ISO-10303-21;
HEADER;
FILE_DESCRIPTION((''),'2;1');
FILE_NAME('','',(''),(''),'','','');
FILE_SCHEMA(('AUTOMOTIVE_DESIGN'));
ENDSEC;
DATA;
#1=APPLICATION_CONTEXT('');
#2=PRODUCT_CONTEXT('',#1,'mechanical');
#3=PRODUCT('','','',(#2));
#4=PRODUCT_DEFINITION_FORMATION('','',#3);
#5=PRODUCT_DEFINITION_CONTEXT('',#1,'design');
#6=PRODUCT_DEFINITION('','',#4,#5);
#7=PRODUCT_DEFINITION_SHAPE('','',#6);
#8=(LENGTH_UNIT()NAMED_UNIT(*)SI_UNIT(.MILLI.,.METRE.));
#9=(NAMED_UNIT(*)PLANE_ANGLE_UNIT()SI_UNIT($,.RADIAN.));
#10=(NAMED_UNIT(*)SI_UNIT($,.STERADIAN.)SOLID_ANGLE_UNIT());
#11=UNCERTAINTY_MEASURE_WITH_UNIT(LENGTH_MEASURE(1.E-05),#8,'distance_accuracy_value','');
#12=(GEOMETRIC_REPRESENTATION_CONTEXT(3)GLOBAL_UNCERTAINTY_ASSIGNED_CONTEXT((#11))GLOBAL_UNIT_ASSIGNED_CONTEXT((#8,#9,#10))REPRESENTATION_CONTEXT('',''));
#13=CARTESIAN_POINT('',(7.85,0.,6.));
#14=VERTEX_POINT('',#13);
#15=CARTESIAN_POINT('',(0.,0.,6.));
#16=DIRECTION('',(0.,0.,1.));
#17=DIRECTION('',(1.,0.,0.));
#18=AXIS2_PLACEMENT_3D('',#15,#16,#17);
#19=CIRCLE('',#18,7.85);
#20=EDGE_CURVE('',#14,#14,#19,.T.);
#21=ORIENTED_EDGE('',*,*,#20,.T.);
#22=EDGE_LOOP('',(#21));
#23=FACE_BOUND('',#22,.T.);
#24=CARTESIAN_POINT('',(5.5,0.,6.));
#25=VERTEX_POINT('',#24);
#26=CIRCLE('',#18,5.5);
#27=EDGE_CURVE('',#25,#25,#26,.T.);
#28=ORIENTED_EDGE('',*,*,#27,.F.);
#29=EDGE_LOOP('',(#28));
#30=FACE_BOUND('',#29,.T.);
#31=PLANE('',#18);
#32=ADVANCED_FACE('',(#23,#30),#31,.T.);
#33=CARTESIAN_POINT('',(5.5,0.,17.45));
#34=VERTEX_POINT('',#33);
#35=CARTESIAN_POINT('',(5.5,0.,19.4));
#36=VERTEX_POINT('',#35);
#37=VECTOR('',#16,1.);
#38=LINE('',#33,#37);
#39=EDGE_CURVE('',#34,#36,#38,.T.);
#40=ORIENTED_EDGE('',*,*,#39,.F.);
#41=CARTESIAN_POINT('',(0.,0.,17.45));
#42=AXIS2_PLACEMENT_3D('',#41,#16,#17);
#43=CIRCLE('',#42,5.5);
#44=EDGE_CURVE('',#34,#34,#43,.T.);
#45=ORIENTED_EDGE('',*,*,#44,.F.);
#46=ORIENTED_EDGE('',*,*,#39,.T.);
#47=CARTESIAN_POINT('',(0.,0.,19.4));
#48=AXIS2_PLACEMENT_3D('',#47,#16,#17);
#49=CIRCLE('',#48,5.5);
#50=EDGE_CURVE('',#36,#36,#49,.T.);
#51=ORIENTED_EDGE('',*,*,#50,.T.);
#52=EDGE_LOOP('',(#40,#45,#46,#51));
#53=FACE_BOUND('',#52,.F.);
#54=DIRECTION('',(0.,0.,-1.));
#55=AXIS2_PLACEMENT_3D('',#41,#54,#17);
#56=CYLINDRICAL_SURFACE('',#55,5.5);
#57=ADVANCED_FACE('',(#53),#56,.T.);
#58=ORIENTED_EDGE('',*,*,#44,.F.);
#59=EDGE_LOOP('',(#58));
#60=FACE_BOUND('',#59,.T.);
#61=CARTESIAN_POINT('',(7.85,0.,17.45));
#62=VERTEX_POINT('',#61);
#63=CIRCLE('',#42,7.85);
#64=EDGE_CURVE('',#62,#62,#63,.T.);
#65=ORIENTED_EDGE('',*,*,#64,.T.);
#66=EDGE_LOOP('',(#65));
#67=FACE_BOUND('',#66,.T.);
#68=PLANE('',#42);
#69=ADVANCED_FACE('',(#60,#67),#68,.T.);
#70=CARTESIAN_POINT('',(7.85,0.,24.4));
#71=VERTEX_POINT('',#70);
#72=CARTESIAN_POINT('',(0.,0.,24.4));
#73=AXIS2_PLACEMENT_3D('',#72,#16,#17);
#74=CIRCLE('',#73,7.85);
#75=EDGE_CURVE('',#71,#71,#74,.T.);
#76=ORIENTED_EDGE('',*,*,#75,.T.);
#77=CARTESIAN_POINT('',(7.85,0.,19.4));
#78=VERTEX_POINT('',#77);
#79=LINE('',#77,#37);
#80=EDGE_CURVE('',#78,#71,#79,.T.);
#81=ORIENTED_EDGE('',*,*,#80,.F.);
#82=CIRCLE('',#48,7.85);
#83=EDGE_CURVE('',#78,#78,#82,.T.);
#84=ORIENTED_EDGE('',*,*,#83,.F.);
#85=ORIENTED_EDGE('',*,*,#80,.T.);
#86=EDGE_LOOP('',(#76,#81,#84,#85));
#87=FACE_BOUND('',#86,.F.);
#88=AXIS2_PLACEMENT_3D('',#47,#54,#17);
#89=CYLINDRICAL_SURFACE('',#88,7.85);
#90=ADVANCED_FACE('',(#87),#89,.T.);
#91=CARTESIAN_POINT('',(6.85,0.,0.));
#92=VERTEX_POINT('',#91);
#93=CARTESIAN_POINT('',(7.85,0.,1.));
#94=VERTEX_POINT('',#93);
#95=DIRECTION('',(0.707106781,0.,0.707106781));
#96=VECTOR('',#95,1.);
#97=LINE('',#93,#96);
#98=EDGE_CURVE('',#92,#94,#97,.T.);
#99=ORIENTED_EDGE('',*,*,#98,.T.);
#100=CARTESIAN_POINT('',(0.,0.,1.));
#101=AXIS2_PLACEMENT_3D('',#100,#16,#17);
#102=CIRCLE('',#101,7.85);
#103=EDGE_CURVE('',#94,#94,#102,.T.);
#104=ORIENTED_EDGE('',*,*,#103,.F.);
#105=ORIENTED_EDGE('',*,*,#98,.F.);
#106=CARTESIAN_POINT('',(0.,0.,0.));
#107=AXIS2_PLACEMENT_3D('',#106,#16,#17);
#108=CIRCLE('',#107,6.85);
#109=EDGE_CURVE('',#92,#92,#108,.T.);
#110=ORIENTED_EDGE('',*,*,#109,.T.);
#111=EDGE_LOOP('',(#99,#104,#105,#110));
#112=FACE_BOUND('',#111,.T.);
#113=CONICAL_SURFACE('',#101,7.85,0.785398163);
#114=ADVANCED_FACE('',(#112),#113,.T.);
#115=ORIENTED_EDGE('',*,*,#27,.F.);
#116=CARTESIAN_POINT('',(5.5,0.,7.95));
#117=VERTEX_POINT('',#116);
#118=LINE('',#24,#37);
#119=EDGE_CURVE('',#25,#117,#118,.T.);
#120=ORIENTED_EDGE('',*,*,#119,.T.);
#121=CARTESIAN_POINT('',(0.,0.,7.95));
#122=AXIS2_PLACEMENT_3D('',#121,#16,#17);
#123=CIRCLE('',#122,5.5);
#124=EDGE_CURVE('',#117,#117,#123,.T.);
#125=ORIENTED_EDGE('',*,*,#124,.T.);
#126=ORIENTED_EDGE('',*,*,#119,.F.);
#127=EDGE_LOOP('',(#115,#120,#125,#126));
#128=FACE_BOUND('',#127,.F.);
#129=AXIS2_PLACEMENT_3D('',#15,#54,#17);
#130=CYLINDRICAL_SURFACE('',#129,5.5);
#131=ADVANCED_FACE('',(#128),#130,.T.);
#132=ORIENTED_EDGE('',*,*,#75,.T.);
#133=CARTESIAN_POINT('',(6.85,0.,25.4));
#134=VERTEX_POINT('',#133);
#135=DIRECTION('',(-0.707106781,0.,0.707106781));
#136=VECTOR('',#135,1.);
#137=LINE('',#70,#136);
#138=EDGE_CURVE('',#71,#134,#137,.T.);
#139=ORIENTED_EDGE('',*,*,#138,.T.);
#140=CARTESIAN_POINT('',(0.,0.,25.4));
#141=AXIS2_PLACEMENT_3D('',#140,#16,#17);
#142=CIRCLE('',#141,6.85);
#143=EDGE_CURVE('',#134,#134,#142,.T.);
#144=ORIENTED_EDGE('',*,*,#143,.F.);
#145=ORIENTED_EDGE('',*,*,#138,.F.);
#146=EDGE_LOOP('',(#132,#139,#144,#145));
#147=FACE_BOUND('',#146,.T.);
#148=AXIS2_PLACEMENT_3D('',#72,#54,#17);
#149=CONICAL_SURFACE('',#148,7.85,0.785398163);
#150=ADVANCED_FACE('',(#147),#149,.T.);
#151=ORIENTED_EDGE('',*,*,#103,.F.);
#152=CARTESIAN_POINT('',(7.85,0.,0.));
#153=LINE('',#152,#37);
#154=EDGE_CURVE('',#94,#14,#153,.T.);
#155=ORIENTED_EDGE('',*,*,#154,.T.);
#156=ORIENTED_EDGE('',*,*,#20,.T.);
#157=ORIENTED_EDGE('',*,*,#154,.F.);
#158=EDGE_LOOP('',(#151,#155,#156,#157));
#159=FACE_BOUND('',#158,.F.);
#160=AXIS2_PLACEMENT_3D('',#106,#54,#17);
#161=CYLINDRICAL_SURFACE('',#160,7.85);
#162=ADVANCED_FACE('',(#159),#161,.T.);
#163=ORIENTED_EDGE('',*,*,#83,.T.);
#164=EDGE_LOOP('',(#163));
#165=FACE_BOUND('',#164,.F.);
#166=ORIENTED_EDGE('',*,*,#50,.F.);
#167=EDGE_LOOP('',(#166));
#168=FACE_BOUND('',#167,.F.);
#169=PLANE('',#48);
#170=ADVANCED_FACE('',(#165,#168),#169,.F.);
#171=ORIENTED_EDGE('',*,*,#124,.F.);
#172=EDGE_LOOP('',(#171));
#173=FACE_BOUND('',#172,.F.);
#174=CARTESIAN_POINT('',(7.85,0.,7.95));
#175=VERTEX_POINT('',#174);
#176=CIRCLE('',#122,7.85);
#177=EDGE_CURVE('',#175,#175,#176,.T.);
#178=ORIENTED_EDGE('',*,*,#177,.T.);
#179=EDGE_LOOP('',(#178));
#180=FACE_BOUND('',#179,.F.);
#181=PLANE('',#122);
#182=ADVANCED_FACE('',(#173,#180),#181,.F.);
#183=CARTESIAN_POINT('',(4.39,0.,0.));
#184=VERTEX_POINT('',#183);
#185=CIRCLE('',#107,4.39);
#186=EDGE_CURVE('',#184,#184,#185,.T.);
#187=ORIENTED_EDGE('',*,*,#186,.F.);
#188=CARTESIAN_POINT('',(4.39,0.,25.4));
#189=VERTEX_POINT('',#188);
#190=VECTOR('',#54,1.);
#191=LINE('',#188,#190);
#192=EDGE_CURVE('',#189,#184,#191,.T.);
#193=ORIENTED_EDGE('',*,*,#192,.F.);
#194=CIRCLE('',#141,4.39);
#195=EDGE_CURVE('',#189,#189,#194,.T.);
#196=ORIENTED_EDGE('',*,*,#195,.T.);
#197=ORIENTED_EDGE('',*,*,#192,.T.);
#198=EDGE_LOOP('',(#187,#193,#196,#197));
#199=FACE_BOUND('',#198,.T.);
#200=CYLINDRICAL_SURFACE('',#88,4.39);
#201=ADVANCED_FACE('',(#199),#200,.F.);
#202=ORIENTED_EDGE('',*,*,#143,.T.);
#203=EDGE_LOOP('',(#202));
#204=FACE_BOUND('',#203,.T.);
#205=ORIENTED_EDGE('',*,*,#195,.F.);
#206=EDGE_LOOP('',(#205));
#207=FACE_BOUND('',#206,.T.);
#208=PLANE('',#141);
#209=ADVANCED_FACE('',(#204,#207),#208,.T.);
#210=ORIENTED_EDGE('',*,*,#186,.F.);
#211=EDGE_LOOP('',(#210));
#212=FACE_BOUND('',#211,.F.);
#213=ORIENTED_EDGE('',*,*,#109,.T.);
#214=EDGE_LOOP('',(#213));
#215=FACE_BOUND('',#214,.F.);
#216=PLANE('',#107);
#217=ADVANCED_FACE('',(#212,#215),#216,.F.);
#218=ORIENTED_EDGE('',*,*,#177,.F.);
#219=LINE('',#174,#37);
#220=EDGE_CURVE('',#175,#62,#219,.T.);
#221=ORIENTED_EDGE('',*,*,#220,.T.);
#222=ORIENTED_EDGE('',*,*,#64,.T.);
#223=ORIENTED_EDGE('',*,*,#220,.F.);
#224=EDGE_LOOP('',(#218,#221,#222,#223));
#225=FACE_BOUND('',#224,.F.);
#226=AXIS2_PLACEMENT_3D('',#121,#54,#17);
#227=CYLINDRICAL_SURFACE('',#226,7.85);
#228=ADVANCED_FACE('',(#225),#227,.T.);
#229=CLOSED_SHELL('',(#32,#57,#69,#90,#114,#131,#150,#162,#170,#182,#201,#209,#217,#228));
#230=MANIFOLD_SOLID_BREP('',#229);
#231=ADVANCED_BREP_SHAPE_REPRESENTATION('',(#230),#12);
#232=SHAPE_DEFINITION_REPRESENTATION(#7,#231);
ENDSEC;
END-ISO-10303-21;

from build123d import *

# Parameters (mm, degrees)
F0_R      = 7.85
F0_R_2    = 4.39
F1_DEPTH  = 6
F2_R      = 5.5
F2_R_2    = 4.39
F3_DEPTH  = 1.95
F4_R      = 7.85
F4_R_2    = 5.5
F5_DEPTH  = 9.5
F6_DEPTH  = 9.5
F8_R      = 5.5
F8_R_2    = 4.39
F9_DEPTH  = 1.95
F10_R     = 7.85
F10_R_2   = 5.5
F10_R_3   = 4.39
F11_DEPTH = 6
F12_SIZE  = 1
F13_SIZE  = 1


with BuildPart() as f1:
    # F0 (on Top) → F1 (new body)
    with BuildSketch(Plane.XY):
        Circle(F0_R)
        Circle(F0_R_2, mode=Mode.SUBTRACT)
    extrude(amount=F1_DEPTH)

    # F2 (on face) → F3 (join)
    with BuildSketch(Plane.XY.offset(6)):
        Circle(F2_R)
        Circle(F2_R_2, mode=Mode.SUBTRACT)
    extrude(amount=F3_DEPTH)


with BuildPart() as f5:
    # F4 (on face) → F5 (new body)
    with BuildSketch(Plane.XY.offset(7.95)):
        Circle(F4_R)
        Circle(F4_R_2, mode=Mode.SUBTRACT)
    extrude(amount=F5_DEPTH)


with BuildPart() as f6:
    # F6 (new): a face of the model
    f6_faces = [f1.part.faces().sort_by_distance(p)[0] for p in [
        (-5.3444365081, 0, 7.95),
    ]]
    extrude(f6_faces, amount=F6_DEPTH)


with BuildPart() as f1_1:
    add(f1.part)

    # F7: union F5, F6
    add(f5.part)
    add(f6.part)

    # F8 (on face) → F9 (join)
    with BuildSketch(Plane.XY.offset(17.45)):
        Circle(F8_R)
        Circle(F8_R_2, mode=Mode.SUBTRACT)
    extrude(amount=F9_DEPTH)

    # F10 (on face) → F11 (join)
    with BuildSketch(Plane.XY.offset(19.4)):
        Circle(F10_R)
        Circle(F10_R_2, mode=Mode.SUBTRACT)
        Circle(F10_R_2)
        Circle(F10_R_3, mode=Mode.SUBTRACT)
    extrude(amount=F11_DEPTH)

    # F12
    f12_edges = [f1_1.edges().sort_by_distance(p)[0] for p in [
        (-7.85, 0, 25.4),
    ]]
    chamfer(f12_edges, length=F12_SIZE)

    # F13
    f13_edges = [f1_1.edges().sort_by_distance(p)[0] for p in [
        (-7.85, 0, 0),
    ]]
    chamfer(f13_edges, length=F13_SIZE)


solid = f1_1.part
